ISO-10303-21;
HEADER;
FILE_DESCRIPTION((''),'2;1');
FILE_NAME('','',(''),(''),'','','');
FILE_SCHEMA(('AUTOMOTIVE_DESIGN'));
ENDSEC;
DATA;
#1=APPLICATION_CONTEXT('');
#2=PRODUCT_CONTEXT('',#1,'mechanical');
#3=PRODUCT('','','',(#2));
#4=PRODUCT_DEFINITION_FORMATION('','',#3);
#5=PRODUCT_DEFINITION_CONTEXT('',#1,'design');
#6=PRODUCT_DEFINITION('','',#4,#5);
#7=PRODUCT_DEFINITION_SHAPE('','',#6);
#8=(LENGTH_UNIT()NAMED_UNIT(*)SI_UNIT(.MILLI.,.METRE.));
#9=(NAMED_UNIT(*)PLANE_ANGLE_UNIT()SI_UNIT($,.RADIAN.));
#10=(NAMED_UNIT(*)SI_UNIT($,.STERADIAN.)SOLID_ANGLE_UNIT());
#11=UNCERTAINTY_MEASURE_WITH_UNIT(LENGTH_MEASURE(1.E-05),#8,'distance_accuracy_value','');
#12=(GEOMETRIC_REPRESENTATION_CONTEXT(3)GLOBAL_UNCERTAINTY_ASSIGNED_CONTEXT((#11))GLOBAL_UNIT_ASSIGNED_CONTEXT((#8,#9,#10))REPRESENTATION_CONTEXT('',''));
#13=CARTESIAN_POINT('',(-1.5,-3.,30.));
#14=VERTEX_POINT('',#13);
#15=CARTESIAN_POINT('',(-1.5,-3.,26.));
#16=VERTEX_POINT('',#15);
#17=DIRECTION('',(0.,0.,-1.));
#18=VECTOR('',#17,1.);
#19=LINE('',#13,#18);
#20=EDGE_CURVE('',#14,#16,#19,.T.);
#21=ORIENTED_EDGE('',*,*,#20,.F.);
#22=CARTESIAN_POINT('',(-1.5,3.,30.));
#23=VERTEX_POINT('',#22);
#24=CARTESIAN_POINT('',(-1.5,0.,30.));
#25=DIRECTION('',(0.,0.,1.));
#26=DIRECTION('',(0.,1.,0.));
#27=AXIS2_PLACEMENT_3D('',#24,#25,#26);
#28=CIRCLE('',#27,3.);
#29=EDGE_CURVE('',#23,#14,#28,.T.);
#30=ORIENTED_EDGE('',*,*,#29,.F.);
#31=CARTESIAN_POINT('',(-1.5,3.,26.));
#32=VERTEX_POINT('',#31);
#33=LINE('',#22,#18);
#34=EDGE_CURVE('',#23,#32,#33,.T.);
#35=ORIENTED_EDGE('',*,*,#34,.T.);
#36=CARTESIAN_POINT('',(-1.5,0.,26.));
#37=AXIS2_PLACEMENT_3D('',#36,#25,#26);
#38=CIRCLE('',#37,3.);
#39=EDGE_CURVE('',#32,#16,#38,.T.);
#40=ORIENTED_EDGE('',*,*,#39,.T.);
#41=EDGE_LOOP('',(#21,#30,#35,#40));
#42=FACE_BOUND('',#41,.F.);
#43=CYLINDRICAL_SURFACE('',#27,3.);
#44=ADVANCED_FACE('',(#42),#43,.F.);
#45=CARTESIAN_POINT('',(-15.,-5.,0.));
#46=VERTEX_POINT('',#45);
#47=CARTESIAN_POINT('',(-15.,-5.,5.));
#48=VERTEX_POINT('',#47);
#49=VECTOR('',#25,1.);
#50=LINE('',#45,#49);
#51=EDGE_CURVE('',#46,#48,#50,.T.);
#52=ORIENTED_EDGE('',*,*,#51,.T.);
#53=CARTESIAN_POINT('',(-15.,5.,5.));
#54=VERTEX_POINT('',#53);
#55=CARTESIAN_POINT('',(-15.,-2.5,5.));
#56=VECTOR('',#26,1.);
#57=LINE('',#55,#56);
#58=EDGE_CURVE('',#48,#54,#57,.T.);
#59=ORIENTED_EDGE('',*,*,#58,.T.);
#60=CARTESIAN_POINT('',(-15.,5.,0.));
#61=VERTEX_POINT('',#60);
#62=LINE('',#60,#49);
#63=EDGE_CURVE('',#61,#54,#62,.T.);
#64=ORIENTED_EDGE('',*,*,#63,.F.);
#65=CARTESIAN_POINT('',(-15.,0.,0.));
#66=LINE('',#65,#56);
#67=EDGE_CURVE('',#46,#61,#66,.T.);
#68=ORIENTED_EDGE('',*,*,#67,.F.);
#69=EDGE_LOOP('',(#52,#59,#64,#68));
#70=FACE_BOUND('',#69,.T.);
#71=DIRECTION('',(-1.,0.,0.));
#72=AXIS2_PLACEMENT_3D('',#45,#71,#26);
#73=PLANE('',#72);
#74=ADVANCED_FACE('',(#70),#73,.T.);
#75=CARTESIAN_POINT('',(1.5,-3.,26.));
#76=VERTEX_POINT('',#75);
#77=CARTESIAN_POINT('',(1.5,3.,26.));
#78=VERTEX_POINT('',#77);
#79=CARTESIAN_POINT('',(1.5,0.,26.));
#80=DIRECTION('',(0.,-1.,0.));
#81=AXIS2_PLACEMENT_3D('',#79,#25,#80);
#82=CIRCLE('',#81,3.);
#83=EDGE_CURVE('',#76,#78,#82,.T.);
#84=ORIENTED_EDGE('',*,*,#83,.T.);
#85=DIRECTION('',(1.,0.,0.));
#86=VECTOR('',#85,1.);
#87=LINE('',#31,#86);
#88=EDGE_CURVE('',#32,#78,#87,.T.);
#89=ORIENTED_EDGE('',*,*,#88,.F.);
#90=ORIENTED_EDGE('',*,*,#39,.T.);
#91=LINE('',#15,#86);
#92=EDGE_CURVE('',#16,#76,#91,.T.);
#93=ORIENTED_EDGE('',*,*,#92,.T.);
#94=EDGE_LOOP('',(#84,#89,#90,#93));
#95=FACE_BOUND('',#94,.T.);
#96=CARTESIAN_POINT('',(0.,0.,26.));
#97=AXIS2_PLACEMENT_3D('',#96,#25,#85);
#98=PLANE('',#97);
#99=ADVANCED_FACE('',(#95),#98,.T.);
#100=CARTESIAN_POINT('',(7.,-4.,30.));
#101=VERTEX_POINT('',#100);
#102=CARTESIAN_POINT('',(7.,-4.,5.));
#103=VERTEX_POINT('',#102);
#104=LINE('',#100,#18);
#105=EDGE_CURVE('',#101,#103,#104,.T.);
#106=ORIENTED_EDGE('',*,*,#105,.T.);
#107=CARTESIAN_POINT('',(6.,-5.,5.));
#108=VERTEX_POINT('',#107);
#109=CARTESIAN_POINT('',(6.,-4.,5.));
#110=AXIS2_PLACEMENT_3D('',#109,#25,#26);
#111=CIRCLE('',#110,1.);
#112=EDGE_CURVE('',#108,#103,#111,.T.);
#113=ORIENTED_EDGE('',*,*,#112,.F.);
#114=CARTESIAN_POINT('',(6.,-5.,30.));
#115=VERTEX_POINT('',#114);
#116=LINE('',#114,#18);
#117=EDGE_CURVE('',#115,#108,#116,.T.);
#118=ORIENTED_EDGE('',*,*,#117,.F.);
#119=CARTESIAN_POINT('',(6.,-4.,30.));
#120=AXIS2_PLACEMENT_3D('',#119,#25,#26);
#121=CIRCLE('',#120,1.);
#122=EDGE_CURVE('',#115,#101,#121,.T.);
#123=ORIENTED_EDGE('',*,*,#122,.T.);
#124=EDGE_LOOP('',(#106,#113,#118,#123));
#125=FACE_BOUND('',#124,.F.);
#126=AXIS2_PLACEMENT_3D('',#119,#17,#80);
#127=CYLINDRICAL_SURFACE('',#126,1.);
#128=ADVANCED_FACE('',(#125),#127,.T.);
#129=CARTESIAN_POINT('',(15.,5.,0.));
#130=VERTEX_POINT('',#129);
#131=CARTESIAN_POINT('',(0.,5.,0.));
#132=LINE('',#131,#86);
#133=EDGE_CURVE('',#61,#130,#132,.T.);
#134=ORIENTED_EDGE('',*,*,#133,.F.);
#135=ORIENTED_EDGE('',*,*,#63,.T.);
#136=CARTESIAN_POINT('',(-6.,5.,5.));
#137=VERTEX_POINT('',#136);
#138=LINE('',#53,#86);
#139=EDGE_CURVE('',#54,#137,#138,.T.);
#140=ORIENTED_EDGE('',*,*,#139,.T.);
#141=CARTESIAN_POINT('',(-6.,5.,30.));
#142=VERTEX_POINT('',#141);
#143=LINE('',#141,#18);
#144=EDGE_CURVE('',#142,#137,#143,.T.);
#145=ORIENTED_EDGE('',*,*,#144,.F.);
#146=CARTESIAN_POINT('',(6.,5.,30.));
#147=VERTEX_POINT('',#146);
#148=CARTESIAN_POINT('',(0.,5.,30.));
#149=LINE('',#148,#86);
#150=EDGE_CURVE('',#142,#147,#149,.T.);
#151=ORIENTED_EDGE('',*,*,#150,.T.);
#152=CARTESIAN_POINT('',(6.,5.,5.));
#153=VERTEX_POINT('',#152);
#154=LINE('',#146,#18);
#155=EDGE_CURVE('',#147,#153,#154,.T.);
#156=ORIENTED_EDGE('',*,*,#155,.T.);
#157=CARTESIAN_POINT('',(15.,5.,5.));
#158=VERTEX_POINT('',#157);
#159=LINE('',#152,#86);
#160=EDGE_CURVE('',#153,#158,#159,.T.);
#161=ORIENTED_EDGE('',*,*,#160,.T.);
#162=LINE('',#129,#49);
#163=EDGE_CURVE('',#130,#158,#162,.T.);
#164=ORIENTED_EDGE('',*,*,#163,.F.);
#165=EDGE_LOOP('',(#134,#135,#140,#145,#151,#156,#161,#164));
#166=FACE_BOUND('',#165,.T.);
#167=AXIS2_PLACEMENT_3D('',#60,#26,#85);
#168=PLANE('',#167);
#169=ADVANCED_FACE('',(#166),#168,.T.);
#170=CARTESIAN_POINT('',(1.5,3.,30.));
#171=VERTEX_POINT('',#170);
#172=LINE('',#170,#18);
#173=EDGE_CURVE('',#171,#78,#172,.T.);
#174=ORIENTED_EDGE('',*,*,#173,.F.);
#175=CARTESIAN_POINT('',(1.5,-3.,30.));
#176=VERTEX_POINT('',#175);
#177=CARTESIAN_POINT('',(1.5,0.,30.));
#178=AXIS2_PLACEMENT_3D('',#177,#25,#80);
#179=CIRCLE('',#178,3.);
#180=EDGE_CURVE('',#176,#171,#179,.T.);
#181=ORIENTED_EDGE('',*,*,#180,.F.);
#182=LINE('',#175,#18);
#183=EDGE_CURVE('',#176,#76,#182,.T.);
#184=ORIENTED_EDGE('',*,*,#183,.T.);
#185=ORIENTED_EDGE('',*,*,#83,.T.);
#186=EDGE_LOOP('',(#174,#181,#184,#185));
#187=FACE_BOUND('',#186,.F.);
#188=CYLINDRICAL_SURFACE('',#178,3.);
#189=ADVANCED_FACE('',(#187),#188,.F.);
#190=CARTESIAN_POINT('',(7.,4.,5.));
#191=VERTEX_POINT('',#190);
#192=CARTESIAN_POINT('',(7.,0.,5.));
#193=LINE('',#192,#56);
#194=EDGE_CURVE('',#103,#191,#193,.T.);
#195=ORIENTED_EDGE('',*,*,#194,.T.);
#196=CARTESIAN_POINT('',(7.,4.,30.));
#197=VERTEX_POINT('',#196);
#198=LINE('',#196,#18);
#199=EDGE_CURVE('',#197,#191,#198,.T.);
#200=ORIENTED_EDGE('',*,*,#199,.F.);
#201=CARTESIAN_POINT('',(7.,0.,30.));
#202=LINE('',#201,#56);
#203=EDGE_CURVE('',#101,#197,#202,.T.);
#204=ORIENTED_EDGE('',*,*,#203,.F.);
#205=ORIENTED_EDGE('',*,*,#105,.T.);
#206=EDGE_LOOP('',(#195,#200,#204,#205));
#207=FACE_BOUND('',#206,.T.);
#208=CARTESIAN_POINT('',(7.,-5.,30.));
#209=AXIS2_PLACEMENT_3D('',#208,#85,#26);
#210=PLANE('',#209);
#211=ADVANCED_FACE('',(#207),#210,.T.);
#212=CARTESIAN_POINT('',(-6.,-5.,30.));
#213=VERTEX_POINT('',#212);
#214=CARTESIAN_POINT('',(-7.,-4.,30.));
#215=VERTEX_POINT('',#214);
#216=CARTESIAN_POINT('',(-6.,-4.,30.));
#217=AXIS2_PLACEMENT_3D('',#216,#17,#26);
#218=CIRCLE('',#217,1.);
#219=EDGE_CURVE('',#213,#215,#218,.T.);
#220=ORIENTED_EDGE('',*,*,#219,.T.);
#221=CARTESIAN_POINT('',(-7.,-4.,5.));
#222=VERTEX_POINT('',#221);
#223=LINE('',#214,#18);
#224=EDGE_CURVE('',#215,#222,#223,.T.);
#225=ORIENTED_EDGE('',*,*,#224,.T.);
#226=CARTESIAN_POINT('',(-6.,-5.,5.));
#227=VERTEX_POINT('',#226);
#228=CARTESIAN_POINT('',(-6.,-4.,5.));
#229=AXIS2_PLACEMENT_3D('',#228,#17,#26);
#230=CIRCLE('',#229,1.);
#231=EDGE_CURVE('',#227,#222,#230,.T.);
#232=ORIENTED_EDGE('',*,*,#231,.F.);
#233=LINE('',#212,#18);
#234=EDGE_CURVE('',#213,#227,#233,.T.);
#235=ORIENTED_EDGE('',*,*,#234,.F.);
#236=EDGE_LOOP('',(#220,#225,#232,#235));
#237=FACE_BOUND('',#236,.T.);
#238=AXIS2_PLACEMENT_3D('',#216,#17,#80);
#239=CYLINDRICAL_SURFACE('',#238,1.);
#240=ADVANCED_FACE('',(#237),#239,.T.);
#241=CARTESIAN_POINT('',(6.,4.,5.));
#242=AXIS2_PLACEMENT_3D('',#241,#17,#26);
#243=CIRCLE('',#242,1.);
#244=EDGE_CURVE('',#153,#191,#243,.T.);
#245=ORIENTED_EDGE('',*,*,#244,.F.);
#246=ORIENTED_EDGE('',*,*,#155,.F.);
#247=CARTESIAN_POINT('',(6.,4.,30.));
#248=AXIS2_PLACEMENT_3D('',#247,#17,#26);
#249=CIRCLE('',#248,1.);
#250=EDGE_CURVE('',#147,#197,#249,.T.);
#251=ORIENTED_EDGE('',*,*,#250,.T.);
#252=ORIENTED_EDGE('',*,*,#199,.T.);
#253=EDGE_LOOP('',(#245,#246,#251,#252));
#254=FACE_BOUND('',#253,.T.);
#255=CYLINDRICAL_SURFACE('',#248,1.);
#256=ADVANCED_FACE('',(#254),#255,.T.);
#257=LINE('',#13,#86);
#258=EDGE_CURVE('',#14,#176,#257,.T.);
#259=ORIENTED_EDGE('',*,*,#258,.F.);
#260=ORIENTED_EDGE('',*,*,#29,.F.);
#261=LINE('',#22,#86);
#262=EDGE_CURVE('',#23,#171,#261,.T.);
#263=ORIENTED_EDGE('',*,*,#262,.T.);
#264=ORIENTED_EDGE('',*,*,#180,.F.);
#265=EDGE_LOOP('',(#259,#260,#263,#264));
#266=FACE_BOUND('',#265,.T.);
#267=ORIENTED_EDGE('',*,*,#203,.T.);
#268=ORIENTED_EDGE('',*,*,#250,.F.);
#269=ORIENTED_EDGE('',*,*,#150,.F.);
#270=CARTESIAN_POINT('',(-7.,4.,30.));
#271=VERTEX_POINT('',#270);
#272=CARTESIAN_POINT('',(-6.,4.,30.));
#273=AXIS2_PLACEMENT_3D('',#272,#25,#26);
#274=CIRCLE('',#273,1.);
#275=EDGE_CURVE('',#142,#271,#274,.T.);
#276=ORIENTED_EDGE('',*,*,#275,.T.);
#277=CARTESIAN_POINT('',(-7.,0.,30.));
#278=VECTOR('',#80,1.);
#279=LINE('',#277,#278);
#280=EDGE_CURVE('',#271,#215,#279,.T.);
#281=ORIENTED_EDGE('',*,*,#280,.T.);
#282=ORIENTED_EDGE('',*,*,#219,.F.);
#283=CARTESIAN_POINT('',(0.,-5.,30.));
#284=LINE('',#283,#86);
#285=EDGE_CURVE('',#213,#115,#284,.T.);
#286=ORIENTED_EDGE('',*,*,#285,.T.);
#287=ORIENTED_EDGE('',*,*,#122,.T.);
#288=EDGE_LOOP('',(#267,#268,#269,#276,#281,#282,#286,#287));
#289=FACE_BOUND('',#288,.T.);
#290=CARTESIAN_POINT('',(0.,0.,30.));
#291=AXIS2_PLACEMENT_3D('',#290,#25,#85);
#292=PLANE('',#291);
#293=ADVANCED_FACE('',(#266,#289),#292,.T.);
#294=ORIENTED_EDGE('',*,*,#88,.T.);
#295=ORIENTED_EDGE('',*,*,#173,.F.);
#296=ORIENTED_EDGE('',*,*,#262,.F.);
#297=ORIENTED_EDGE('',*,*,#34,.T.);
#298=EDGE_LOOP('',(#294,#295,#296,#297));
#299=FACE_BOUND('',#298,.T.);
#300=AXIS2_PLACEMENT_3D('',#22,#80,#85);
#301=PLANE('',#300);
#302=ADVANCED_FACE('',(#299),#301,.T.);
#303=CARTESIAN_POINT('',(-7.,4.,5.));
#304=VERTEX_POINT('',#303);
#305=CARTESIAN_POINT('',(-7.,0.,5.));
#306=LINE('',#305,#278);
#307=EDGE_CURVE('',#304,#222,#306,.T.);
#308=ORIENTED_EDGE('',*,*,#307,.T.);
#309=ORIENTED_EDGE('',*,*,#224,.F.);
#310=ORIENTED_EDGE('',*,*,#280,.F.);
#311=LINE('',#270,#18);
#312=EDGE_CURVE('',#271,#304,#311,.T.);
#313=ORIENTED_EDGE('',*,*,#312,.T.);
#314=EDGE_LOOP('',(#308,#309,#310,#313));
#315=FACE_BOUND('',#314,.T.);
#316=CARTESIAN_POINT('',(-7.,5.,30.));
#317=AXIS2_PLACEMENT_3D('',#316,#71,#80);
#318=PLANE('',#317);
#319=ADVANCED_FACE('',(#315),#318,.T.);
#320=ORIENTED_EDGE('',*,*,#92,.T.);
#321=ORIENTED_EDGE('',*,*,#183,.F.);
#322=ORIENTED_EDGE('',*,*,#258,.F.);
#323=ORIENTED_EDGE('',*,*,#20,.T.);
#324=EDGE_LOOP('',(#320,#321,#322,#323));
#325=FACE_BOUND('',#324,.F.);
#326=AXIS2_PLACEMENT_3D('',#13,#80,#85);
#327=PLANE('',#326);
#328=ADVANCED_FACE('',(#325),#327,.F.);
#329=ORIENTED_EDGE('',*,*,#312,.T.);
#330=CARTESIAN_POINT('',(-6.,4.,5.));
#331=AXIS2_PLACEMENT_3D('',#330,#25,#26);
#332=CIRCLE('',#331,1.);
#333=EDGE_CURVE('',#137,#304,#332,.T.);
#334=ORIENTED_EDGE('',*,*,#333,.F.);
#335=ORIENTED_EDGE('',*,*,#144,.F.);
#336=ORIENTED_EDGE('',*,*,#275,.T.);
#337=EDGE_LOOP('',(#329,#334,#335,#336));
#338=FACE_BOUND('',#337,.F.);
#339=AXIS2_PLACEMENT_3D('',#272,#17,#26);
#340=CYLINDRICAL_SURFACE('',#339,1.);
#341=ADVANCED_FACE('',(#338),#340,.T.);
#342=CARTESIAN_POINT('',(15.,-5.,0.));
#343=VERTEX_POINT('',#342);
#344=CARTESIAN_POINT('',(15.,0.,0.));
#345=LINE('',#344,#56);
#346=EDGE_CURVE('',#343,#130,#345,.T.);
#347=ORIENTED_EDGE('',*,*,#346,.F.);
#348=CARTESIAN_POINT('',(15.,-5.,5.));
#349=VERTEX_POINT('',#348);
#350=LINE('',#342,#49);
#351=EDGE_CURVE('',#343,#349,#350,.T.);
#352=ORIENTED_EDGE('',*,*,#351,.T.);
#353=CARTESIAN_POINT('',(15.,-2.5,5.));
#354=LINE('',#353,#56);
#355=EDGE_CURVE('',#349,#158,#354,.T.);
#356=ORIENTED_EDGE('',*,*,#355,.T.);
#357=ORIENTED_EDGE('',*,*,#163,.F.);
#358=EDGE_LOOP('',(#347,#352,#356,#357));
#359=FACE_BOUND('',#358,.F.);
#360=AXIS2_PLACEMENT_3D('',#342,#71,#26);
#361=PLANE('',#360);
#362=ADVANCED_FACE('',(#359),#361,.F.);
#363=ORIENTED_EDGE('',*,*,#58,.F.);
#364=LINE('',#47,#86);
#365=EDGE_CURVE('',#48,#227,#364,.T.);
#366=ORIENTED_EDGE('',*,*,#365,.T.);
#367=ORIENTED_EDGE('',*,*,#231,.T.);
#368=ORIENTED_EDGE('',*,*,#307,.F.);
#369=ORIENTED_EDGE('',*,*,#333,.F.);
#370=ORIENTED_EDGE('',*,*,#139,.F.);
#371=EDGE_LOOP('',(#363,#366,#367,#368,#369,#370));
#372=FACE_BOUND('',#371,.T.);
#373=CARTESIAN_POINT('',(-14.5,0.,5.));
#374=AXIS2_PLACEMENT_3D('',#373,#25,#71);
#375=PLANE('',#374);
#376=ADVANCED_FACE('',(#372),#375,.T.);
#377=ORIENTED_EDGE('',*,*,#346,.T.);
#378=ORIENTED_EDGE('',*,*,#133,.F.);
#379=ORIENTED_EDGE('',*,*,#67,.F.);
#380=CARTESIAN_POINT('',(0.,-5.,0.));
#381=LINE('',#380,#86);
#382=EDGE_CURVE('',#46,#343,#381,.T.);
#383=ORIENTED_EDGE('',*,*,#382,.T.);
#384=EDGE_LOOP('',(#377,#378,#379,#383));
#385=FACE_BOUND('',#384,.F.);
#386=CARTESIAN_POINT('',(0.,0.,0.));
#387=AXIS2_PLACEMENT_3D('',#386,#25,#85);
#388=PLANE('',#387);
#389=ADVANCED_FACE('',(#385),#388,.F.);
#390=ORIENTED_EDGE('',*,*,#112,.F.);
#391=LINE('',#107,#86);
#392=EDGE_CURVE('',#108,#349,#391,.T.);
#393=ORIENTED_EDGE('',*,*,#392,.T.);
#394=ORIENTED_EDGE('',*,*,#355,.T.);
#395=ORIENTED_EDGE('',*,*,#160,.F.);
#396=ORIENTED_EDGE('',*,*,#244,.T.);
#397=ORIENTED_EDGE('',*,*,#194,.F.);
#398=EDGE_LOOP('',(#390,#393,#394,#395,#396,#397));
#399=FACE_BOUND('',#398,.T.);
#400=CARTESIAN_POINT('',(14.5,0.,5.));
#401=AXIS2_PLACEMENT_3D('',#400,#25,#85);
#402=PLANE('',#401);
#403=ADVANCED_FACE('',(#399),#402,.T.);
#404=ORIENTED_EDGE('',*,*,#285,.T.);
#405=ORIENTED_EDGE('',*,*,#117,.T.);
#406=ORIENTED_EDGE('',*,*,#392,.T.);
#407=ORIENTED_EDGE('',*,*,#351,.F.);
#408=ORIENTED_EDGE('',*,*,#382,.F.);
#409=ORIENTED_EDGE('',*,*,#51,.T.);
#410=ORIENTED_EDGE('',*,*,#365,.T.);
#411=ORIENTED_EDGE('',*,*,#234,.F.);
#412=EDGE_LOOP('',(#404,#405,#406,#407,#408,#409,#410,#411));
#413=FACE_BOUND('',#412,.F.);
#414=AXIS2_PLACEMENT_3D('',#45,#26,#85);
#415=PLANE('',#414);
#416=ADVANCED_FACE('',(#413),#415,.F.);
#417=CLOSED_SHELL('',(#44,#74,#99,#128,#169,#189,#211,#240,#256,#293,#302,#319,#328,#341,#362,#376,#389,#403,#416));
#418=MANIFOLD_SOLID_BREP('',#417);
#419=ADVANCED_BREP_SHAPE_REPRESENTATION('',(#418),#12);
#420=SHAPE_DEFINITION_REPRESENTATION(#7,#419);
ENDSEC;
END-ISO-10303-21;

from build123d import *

# Parameters (mm, degrees)
SKETCH_W           = 30
SKETCH_H           = 10
PAD_DEPTH          = 30
POCKET_DEPTH       = 4
SKETCH003_W        = 15
SKETCH003_H        = 10
POCKET001_DEPTH    = 25
POLARPATTERN_COUNT = 2
FILLET_R           = 1


with BuildPart() as part:
    # Sketch → Pad (new body)
    with BuildSketch(Plane.XY):
        Rectangle(SKETCH_W, SKETCH_H)
    extrude(amount=PAD_DEPTH)

    # Sketch001 → Pocket (cut)
    with BuildSketch(Plane.XY.offset(30)):
        with BuildLine():
            ThreePointArc((-1.5, 3), (-4.5, 0), (-1.5, -3))
            Line((-1.5, -3), (1.5, -3))
            ThreePointArc((1.5, -3), (4.5, 0), (1.5, 3))
            Line((-1.5, 3), (1.5, 3))
        make_face()
    extrude(amount=-POCKET_DEPTH, mode=Mode.SUBTRACT)

    # Sketch003 → Pocket001 (cut)
    with BuildSketch(Plane.XY.offset(30)):
        with Locations((14.5, 0)):
            Rectangle(SKETCH003_W, SKETCH003_H)
    pocket001 = extrude(amount=-POCKET001_DEPTH, mode=Mode.SUBTRACT)

    # PolarPattern: Pocket001 ×2 about axis
    polarpattern_axis = Axis((0, 0, 30), (0, 0, 1))
    for i in range(1, POLARPATTERN_COUNT):
        add(pocket001.rotate(polarpattern_axis, i * 360 / POLARPATTERN_COUNT), mode=Mode.SUBTRACT)

    # Fillet
    fillet_edges = [part.edges().sort_by_distance(p)[0] for p in [
        (-7, 5, 17.5),
        (-7, -5, 17.5),
        (7, -5, 17.5),
        (7, 5, 17.5),
    ]]
    fillet(fillet_edges, radius=FILLET_R)


solid = part.part
